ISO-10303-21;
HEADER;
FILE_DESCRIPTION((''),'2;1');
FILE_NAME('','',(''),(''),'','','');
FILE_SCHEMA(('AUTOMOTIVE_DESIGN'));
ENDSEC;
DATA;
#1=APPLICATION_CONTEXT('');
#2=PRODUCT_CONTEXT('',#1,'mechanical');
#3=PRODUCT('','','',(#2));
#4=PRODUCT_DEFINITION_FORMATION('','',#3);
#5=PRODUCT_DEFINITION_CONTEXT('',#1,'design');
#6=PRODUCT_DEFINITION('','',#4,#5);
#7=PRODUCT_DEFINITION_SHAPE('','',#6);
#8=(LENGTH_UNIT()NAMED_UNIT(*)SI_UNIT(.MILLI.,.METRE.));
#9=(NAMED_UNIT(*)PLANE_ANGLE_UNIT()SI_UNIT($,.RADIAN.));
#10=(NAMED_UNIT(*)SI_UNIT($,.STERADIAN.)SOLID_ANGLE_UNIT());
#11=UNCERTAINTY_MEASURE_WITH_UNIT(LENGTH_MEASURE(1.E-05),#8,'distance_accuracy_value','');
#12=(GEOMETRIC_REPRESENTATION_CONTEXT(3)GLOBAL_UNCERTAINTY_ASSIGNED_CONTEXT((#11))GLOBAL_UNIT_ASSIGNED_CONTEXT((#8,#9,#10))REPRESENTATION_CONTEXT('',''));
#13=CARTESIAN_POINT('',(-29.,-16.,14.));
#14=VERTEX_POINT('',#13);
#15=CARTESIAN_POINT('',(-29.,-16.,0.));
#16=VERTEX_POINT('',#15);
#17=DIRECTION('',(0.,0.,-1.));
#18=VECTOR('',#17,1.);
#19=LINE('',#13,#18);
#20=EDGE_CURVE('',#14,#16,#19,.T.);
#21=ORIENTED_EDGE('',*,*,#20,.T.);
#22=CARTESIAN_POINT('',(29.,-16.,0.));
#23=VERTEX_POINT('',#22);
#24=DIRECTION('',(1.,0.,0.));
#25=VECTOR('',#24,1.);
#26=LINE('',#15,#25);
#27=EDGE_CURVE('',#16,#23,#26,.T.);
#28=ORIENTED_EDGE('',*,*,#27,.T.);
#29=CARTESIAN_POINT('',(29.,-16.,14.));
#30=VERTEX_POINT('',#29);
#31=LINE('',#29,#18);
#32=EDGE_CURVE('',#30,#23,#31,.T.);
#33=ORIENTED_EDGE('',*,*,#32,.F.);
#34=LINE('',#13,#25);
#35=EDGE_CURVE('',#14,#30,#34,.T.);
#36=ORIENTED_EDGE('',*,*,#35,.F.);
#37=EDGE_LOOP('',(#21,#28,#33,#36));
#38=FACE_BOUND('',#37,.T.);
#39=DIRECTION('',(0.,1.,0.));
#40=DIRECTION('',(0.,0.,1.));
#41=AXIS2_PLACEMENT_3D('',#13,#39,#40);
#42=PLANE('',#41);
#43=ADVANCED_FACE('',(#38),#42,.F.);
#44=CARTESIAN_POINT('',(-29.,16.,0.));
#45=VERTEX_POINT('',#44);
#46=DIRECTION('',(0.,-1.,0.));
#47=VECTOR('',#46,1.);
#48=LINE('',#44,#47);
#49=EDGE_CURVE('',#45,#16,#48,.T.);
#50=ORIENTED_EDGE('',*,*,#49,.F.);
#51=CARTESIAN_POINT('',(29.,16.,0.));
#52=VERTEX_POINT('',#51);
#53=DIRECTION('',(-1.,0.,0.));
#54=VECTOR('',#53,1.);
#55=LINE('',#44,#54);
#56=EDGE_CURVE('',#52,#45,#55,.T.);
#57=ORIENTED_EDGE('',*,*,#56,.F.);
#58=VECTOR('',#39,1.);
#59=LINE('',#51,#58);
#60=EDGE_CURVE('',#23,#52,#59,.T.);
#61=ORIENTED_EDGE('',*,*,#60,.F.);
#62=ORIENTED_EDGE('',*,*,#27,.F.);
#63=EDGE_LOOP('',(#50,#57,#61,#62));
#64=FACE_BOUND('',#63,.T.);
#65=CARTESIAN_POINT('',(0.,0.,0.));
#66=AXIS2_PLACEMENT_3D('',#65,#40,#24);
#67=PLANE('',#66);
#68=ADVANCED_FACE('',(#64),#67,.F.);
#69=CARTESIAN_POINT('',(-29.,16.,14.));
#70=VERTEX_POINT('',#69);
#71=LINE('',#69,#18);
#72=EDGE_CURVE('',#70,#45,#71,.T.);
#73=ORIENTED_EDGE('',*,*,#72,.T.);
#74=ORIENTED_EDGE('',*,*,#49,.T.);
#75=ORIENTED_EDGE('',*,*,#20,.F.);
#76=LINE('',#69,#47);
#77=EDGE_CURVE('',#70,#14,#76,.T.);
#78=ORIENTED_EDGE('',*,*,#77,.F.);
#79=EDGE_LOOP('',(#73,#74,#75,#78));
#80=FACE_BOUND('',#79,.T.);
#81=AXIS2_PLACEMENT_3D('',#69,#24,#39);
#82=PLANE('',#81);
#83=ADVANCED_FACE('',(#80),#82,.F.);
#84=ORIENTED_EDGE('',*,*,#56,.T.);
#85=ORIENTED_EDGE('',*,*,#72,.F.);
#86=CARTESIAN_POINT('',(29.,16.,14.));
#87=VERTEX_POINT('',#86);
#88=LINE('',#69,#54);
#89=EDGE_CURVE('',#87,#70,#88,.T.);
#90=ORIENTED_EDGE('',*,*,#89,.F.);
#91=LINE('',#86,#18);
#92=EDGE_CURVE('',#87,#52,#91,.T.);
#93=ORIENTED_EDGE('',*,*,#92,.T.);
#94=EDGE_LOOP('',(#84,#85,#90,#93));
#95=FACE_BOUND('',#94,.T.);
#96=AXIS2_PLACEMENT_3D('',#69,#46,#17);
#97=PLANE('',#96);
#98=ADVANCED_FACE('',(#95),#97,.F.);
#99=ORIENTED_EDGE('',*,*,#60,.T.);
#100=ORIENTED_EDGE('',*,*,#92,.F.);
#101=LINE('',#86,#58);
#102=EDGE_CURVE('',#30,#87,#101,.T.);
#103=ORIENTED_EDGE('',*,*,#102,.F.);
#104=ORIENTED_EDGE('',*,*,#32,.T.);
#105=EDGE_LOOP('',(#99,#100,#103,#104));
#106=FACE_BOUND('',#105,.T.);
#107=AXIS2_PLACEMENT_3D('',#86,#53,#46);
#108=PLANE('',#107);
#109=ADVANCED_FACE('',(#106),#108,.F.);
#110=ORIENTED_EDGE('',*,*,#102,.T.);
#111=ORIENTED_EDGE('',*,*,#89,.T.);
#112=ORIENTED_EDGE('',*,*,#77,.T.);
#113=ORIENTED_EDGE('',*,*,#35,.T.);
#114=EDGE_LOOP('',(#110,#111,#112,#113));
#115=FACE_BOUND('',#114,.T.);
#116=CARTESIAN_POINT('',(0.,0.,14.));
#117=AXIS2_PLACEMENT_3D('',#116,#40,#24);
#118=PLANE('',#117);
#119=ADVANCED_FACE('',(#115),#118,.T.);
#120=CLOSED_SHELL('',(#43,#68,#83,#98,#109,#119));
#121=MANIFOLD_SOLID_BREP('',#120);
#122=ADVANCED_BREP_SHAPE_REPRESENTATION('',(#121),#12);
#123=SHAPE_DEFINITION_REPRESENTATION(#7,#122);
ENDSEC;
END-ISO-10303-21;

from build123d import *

# Parameters (mm, degrees)
SKETCH1_W           = 58
SKETCH1_H           = 32
BOSS_EXTRUDE1_DEPTH = 14


with BuildPart() as part:
    # Sketch1 → Boss-Extrude1 (new body)
    with BuildSketch(Plane.XY):
        Rectangle(SKETCH1_W, SKETCH1_H)
    extrude(amount=BOSS_EXTRUDE1_DEPTH)


solid = part.part
